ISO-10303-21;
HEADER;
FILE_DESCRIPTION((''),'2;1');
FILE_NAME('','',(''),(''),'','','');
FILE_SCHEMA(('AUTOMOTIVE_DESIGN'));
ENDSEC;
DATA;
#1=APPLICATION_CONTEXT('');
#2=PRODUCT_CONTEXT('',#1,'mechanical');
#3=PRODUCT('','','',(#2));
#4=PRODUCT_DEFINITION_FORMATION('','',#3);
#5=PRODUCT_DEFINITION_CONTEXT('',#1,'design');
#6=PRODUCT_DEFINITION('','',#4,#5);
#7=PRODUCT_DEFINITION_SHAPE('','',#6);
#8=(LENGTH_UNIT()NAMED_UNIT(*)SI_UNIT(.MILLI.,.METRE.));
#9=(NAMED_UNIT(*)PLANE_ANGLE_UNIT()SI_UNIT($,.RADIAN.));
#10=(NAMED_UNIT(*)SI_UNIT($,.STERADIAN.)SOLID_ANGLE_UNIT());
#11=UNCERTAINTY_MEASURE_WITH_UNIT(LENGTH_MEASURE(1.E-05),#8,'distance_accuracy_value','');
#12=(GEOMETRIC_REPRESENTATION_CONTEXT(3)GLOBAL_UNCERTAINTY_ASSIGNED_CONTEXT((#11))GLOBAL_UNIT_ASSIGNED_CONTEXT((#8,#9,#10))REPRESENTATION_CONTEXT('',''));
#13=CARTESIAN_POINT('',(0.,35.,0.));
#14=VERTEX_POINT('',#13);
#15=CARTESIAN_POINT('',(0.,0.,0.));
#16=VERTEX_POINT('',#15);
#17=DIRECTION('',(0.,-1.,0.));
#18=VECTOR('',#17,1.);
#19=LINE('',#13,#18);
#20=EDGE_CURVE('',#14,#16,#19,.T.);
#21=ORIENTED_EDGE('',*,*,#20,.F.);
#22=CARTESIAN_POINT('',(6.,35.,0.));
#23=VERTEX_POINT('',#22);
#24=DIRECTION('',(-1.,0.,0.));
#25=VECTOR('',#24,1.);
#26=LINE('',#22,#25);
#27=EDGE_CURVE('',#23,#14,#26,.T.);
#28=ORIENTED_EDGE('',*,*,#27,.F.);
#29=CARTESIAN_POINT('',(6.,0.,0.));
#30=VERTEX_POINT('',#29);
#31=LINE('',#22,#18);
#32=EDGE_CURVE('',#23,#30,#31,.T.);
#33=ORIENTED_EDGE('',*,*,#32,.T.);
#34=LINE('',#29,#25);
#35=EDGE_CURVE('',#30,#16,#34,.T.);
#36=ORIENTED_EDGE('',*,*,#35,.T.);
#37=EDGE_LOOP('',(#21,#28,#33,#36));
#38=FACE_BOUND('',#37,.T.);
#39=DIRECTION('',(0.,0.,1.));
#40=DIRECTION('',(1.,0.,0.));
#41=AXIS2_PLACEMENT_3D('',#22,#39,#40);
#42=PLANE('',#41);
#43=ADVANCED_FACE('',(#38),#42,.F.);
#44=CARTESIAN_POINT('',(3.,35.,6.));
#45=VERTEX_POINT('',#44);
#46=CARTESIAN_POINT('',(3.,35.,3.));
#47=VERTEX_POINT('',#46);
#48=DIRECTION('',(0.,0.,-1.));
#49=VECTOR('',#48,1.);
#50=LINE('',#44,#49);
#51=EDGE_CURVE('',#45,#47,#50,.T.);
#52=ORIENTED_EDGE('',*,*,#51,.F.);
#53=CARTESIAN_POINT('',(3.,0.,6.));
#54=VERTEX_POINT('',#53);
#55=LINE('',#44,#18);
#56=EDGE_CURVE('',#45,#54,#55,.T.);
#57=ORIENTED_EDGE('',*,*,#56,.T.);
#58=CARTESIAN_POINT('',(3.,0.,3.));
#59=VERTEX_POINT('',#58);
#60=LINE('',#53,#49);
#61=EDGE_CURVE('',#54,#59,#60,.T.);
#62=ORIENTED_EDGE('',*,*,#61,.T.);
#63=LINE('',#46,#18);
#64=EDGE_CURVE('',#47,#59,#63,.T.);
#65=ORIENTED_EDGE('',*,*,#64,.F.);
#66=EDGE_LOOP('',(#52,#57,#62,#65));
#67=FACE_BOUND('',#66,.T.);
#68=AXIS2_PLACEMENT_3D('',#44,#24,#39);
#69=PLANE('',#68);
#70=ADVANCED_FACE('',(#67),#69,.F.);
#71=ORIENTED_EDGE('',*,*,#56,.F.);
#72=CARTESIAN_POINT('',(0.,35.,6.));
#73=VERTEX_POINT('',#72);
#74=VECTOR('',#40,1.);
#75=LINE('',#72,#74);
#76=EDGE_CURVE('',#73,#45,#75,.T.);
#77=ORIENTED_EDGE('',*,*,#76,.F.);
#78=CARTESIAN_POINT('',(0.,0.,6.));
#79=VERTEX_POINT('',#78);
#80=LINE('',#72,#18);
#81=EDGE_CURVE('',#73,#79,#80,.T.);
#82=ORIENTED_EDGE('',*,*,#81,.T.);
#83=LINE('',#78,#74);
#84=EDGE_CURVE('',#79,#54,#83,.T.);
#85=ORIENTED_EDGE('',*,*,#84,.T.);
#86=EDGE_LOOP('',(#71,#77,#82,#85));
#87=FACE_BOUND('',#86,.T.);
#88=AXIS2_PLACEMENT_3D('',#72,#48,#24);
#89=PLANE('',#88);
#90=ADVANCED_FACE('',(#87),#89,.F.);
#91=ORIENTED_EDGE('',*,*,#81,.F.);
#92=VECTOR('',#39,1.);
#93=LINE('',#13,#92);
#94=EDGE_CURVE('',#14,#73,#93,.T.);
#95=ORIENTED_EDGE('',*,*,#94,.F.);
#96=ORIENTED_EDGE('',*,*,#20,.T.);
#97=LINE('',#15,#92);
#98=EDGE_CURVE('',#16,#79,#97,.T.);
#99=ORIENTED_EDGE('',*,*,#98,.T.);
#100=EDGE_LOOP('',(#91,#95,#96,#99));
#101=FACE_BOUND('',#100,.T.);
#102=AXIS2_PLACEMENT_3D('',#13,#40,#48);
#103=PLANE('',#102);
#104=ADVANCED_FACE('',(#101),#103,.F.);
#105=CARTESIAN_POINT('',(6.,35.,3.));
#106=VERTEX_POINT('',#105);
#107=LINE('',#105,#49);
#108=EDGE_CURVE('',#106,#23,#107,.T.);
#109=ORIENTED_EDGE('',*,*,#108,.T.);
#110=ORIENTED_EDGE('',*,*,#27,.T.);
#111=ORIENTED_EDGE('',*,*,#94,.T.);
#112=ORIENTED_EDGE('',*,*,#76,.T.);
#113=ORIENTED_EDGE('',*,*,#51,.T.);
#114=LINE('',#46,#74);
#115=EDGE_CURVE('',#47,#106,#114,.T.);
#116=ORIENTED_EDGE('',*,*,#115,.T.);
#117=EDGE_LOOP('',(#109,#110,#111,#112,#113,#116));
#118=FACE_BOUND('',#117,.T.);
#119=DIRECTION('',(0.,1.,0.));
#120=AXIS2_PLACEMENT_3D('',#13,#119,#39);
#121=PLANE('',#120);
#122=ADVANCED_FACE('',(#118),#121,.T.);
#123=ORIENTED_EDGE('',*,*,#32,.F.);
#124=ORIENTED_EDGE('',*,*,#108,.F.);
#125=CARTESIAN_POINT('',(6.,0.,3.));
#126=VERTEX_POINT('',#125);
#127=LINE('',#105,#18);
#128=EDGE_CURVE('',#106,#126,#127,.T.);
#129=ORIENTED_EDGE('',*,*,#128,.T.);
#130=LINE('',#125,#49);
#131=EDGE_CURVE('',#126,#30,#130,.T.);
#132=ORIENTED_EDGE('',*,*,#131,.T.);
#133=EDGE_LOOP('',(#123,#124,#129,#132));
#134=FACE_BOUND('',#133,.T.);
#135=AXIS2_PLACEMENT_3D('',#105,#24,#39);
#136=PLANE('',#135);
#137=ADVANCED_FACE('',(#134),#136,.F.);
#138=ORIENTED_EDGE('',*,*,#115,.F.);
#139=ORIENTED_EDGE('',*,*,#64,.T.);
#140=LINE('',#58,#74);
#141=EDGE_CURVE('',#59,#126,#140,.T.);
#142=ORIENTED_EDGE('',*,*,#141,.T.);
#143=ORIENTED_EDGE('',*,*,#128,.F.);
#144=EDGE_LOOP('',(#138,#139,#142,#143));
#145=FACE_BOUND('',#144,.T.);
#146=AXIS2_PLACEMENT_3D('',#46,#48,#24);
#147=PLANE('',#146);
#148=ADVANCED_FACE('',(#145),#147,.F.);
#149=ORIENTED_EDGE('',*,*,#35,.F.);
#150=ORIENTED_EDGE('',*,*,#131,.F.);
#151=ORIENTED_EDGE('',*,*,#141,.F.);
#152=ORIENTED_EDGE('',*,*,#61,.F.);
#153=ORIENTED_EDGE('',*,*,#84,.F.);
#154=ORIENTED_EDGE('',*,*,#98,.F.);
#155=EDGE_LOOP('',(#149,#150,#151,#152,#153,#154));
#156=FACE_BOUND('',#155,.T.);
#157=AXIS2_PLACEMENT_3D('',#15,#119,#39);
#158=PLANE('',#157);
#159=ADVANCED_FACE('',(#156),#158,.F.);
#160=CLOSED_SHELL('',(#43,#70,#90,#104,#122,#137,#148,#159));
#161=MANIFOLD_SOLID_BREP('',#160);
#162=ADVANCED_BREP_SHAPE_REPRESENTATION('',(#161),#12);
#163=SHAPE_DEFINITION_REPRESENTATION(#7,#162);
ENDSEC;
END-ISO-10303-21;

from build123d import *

# Parameters (mm, degrees)
BOSS_EXTRUDE2_DEPTH = 35


with BuildPart() as part:
    # Sketch2 → Boss-Extrude2 (new body)
    with BuildSketch(Plane(origin=(0, 0, 0), x_dir=(1, 0, 0), z_dir=(0, 1, 0))):
        Polygon((0, 0), (0, -6), (3, -6), (3, -3), (6, -3), (6, 0), align=None)
    extrude(amount=BOSS_EXTRUDE2_DEPTH)


solid = part.part
